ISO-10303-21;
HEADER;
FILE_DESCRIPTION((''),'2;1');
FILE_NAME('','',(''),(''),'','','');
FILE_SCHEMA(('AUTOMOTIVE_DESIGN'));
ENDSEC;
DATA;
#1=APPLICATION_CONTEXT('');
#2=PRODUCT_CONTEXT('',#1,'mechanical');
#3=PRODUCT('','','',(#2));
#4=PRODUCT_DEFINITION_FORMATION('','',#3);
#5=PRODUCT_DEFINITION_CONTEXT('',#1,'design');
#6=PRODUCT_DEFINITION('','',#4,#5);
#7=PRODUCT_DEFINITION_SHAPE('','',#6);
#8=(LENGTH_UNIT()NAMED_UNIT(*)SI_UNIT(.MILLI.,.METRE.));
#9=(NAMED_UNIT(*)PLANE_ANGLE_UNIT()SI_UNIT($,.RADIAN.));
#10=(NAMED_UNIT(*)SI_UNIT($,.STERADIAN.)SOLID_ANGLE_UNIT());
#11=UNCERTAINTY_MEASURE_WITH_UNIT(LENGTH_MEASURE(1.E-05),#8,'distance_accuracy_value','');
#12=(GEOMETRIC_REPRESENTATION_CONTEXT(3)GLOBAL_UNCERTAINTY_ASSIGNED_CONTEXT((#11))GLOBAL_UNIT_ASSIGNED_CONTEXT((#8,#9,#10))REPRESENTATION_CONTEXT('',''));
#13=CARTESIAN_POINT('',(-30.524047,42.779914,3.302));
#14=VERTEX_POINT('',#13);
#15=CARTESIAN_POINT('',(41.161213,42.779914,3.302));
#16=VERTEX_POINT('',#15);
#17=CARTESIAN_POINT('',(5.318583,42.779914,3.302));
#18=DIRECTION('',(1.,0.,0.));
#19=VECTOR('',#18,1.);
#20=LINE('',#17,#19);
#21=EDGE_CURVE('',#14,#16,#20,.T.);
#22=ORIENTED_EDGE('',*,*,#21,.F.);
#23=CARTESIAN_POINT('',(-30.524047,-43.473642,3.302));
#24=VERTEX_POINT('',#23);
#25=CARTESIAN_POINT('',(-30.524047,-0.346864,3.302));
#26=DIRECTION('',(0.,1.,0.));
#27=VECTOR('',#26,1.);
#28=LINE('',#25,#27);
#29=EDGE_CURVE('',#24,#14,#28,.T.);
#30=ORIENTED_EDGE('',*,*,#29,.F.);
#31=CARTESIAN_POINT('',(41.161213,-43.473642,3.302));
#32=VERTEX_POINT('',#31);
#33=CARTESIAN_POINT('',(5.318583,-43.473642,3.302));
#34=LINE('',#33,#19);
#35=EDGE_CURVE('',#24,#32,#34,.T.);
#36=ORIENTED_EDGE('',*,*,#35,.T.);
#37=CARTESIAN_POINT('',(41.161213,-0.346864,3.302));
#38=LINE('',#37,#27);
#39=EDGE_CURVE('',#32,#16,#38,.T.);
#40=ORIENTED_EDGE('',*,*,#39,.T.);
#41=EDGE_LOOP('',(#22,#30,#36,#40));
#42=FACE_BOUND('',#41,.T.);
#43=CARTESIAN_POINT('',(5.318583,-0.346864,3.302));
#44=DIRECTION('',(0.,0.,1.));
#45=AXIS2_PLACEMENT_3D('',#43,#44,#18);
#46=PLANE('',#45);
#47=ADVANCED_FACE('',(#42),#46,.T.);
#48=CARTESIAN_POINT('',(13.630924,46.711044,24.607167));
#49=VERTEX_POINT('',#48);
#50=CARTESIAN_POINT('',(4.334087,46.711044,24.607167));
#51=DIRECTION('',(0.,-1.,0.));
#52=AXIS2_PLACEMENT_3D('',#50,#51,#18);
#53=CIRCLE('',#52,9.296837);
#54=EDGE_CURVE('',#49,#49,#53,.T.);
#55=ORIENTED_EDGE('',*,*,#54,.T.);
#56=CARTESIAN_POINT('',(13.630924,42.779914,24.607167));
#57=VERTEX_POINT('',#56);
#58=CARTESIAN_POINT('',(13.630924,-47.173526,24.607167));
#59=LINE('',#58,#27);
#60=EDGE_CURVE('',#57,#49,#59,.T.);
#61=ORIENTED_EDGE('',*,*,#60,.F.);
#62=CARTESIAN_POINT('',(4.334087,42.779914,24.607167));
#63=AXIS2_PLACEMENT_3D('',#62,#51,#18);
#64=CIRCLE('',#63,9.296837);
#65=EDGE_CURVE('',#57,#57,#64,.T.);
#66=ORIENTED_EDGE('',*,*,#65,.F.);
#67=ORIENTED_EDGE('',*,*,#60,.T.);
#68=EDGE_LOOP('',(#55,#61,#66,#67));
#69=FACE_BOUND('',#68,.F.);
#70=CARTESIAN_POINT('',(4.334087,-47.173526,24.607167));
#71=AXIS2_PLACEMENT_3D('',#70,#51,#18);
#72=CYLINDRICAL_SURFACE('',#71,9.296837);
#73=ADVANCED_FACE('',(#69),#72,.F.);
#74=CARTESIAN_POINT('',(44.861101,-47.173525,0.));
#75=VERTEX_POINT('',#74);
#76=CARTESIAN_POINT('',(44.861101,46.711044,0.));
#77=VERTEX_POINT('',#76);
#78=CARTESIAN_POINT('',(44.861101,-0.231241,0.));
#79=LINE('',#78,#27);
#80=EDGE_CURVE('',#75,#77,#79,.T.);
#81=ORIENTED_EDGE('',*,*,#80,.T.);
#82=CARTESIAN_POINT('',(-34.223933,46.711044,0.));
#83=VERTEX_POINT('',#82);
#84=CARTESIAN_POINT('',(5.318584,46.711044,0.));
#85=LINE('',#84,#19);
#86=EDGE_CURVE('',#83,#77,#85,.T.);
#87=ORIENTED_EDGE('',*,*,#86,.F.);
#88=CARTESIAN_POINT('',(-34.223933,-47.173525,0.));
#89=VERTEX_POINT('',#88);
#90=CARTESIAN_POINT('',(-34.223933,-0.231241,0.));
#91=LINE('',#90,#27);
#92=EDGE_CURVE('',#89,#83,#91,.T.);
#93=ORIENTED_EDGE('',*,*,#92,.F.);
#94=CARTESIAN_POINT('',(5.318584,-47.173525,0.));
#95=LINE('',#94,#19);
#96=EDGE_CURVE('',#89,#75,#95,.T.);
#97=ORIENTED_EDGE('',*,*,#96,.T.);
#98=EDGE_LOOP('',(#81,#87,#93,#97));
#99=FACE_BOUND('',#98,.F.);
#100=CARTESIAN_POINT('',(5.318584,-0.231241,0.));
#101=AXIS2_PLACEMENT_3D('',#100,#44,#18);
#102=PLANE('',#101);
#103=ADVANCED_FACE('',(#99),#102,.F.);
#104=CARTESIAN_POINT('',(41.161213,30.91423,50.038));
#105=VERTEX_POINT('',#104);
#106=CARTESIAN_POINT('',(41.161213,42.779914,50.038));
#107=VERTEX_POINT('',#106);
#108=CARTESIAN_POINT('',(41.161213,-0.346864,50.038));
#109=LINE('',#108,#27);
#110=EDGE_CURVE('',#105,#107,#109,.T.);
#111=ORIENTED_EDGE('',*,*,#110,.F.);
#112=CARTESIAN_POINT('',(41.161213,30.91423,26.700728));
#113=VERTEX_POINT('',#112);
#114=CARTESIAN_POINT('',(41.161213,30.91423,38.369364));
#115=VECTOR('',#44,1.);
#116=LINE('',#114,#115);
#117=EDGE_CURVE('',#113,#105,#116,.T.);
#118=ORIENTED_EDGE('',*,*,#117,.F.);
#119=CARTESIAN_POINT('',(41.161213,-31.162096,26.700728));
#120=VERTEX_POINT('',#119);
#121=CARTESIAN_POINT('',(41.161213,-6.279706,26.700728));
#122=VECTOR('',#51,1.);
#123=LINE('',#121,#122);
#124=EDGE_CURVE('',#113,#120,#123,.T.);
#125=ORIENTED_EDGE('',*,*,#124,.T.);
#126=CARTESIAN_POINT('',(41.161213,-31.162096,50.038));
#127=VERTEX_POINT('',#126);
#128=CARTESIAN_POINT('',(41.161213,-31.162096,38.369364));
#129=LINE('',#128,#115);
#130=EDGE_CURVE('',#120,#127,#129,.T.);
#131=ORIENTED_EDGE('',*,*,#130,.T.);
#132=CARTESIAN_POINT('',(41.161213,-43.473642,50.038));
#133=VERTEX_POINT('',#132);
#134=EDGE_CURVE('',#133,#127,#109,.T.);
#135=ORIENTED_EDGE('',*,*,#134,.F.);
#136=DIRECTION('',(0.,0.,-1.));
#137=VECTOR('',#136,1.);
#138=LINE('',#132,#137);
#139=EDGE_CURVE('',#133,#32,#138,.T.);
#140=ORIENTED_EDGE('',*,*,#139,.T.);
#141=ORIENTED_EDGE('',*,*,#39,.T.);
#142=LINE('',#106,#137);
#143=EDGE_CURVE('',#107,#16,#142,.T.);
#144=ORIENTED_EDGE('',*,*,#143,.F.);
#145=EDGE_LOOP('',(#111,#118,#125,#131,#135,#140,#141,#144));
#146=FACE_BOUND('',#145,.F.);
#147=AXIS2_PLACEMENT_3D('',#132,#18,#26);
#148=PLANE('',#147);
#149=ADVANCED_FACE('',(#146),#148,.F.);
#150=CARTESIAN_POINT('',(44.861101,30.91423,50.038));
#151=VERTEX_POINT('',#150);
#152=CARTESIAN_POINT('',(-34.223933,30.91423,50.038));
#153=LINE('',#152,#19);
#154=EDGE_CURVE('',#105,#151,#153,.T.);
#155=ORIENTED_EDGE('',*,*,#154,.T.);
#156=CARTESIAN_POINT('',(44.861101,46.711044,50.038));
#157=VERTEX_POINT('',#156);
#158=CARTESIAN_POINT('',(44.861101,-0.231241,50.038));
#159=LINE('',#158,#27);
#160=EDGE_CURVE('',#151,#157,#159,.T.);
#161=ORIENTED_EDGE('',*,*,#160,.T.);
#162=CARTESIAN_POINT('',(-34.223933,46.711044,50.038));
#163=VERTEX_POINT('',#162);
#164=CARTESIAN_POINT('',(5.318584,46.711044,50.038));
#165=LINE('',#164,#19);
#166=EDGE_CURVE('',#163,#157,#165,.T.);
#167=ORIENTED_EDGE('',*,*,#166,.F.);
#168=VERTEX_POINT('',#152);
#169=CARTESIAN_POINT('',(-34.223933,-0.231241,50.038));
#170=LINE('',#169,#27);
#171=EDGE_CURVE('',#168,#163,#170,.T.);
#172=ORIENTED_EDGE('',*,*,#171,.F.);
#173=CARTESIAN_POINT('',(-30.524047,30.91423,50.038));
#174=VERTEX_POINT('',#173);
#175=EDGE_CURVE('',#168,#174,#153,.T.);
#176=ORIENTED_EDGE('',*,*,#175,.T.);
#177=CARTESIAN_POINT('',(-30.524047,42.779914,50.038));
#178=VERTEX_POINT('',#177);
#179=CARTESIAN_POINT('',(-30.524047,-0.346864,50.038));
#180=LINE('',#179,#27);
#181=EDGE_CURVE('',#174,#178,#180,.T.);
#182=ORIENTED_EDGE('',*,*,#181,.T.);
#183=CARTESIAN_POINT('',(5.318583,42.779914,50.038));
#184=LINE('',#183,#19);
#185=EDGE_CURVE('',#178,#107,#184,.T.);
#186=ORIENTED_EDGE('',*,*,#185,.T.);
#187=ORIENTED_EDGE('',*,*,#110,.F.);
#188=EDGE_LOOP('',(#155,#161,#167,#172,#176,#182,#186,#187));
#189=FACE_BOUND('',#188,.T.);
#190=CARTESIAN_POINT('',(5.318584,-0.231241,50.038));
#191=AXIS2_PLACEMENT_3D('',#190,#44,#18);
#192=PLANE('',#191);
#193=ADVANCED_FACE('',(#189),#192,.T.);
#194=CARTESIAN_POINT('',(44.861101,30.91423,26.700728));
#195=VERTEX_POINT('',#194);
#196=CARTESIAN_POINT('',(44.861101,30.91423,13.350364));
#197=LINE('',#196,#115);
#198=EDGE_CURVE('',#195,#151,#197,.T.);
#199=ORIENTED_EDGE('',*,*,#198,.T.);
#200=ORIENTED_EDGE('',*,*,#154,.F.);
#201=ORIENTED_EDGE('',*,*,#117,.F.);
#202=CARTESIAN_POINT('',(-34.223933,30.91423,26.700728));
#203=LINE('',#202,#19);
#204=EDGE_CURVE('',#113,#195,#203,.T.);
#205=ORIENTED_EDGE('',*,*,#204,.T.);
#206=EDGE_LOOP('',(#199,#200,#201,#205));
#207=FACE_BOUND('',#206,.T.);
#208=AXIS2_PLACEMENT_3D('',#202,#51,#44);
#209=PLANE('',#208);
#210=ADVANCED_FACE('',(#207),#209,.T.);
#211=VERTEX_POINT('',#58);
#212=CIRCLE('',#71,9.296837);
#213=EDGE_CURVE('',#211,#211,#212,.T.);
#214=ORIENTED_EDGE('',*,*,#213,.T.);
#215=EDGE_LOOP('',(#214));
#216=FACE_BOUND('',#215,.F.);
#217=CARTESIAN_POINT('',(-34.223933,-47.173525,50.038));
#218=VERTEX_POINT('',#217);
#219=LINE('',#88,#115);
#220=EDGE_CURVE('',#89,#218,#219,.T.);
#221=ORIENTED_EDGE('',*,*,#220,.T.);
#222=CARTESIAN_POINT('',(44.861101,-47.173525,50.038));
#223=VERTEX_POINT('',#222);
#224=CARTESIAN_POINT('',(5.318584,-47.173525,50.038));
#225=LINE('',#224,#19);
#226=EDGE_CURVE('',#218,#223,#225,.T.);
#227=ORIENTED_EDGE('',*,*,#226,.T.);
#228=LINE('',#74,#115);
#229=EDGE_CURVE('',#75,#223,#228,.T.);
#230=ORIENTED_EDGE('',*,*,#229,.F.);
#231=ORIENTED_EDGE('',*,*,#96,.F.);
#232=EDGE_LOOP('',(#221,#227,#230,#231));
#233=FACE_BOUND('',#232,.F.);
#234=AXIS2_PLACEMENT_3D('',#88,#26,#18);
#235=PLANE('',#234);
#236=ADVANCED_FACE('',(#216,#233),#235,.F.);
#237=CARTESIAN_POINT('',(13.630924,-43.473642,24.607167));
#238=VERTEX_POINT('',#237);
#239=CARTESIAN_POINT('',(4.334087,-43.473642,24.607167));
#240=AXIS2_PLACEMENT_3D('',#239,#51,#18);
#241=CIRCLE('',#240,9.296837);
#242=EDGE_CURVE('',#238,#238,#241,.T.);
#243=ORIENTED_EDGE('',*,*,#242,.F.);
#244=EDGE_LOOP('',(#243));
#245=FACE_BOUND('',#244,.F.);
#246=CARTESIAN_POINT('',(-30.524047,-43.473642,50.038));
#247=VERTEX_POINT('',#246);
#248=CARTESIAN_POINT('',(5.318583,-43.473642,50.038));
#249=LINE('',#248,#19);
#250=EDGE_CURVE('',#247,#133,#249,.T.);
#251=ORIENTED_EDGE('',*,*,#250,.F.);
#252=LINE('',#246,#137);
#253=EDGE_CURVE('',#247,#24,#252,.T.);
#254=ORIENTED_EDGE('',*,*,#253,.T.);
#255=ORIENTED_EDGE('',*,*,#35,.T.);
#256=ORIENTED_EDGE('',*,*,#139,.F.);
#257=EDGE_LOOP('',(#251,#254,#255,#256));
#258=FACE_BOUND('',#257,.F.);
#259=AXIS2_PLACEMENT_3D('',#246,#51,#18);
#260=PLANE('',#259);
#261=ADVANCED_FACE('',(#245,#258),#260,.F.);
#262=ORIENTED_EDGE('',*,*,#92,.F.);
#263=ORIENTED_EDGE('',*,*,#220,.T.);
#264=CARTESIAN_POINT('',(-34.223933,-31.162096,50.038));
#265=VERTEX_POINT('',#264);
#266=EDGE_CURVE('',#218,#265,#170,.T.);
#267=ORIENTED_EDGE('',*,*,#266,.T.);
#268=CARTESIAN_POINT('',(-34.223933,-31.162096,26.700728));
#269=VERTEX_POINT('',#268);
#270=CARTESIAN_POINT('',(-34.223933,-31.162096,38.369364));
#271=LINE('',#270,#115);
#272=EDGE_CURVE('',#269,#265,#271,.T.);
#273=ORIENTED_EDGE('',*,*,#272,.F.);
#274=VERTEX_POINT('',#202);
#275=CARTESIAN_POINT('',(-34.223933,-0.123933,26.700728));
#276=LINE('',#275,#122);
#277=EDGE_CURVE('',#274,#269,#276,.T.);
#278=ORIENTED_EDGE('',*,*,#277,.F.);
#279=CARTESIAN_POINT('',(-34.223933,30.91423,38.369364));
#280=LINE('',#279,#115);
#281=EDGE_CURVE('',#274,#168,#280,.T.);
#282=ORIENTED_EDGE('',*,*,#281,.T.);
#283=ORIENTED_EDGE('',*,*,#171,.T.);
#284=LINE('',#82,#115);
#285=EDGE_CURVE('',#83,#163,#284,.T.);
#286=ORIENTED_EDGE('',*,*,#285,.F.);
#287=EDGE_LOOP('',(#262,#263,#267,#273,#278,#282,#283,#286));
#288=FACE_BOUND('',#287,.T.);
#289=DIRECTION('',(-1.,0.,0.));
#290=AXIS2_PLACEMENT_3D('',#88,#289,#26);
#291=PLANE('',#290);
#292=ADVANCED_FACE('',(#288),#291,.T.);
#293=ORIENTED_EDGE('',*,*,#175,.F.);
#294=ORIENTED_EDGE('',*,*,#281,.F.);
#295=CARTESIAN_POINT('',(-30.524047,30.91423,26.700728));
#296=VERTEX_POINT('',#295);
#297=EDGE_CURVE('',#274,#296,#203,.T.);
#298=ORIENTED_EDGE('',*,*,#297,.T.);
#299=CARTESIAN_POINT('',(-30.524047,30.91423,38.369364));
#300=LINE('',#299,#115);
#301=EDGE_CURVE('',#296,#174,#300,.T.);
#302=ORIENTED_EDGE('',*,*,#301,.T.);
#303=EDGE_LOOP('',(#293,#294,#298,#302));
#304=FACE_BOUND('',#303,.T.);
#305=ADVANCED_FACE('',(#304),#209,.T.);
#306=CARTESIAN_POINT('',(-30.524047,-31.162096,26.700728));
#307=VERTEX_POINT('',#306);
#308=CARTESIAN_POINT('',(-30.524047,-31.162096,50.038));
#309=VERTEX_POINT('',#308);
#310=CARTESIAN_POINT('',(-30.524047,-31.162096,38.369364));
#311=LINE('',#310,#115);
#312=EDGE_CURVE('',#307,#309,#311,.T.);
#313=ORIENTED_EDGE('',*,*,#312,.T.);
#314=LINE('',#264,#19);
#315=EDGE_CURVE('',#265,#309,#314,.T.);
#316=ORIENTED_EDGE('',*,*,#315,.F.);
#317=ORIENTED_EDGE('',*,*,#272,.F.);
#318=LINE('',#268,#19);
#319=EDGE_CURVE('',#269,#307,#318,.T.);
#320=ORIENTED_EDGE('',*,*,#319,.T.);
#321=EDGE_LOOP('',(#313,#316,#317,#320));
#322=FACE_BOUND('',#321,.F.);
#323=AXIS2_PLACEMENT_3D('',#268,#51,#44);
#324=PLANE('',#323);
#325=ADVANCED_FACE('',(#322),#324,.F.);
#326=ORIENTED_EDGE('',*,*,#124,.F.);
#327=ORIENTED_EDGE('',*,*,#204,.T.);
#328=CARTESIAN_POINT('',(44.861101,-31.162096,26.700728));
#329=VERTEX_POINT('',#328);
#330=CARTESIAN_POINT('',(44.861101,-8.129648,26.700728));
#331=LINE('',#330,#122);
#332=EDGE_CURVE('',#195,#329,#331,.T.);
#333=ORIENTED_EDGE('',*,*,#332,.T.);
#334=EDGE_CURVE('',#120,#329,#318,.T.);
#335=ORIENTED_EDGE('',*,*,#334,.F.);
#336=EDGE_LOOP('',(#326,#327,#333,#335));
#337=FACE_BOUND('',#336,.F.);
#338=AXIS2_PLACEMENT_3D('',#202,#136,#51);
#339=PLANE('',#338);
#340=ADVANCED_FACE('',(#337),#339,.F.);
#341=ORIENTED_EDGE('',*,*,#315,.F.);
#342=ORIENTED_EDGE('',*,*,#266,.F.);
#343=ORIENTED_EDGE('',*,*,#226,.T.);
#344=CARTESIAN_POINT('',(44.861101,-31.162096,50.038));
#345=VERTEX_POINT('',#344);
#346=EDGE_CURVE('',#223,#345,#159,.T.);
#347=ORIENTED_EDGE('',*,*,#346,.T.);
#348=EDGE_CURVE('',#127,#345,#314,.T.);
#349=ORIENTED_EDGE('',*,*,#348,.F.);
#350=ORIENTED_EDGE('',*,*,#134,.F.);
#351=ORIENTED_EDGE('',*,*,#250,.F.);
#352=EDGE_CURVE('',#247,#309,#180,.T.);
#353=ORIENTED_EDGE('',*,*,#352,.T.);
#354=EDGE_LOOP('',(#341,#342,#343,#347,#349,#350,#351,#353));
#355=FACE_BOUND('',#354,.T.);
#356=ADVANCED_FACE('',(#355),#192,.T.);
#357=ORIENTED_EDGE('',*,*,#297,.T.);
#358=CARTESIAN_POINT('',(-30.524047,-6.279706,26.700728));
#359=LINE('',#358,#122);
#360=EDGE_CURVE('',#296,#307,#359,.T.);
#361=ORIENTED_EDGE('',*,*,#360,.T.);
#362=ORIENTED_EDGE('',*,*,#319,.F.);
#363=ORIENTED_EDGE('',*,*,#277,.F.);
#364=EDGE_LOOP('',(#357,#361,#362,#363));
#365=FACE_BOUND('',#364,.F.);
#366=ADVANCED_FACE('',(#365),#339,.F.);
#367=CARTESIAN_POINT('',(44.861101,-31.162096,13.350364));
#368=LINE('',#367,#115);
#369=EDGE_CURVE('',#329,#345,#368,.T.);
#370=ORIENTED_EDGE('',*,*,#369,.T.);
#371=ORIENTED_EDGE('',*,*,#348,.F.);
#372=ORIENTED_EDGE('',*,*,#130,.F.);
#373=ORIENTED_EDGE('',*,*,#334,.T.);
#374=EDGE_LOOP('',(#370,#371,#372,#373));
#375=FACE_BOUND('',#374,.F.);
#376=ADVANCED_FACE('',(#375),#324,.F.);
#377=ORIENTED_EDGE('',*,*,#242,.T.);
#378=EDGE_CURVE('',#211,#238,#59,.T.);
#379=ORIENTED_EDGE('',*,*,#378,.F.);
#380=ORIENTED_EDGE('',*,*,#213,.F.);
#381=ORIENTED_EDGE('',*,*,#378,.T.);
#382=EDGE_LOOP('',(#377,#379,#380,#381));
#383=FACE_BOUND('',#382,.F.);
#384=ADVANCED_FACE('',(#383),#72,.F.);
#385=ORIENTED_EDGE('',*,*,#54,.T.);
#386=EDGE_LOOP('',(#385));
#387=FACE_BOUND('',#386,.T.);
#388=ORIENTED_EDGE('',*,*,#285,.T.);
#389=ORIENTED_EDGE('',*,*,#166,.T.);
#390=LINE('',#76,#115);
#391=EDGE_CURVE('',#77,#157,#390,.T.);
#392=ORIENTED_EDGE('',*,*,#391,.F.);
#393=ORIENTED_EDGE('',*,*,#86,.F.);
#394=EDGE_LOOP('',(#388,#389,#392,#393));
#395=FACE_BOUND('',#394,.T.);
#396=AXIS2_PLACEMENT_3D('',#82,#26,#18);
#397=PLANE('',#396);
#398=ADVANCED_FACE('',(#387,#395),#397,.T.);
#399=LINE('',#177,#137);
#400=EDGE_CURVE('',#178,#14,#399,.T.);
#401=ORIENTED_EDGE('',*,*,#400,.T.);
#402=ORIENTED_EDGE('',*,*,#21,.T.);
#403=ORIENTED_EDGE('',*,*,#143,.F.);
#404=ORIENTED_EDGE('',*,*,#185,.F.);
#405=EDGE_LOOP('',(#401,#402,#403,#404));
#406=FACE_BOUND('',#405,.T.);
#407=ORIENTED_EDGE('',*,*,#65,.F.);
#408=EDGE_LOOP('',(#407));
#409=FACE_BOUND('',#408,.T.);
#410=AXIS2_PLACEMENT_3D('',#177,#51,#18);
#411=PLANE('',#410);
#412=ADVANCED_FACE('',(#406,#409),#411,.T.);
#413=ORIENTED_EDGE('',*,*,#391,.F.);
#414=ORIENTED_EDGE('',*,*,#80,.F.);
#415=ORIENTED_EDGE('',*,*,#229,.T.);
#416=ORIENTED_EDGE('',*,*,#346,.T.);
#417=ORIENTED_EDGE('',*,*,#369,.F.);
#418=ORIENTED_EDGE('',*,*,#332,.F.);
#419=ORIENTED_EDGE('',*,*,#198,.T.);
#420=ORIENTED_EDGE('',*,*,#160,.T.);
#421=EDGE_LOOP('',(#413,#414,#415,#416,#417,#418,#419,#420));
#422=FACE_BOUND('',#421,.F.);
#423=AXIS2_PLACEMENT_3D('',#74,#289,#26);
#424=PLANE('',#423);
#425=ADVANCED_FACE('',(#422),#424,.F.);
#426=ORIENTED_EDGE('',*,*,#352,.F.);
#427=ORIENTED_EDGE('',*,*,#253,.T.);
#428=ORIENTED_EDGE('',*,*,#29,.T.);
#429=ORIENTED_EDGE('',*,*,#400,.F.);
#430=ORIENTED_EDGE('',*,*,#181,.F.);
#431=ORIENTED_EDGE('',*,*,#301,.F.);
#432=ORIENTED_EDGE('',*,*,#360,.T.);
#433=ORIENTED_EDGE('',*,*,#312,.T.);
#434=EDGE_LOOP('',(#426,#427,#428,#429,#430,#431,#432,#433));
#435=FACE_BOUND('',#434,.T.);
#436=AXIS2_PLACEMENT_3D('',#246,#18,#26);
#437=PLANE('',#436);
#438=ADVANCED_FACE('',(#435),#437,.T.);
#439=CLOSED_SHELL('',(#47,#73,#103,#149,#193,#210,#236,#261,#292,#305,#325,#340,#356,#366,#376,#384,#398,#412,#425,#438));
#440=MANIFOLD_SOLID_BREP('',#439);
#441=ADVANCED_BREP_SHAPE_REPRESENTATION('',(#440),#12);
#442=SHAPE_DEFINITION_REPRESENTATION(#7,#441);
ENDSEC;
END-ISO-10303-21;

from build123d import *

# Parameters (mm, degrees)
F0_W     = 79.085034
F0_H     = 93.884569
F1_DEPTH = 50.038
F2_W     = 62.076326
F2_H     = 23.337272
F3_DEPTH = 124.46
F4_W     = 71.68526
F4_H     = 86.253557
F5_DEPTH = 46.736
F6_R     = 9.296837
F7_DEPTH = 141.986


with BuildPart() as f1:
    # F0 (on Top) → F1 (new body)
    with BuildSketch(Plane.XY):
        with Locations((5.318584, -0.231241)):
            Rectangle(F0_W, F0_H)
    extrude(amount=F1_DEPTH)

    # F2 (on face) → F3 (cut)
    with BuildSketch(Plane(origin=(-34.223933, 0, 0), x_dir=(0, -1, 0), z_dir=(-1, 0, 0))):
        with Locations((0.123933, 38.369364)):
            Rectangle(F2_W, F2_H)
    extrude(amount=-F3_DEPTH, mode=Mode.SUBTRACT)

    # F4 (on face) → F5 (cut)
    with BuildSketch(Plane.XY.offset(50.038)):
        with Locations((5.318583, -0.346864)):
            Rectangle(F4_W, F4_H)
    extrude(amount=-F5_DEPTH, mode=Mode.SUBTRACT)

    # F6 (on face) → F7 (cut)
    with BuildSketch(Plane.XZ.offset(47.173526)):
        with Locations((4.334087, 24.607167)):
            Circle(F6_R)
    extrude(amount=-F7_DEPTH, mode=Mode.SUBTRACT)


solid = f1.part
